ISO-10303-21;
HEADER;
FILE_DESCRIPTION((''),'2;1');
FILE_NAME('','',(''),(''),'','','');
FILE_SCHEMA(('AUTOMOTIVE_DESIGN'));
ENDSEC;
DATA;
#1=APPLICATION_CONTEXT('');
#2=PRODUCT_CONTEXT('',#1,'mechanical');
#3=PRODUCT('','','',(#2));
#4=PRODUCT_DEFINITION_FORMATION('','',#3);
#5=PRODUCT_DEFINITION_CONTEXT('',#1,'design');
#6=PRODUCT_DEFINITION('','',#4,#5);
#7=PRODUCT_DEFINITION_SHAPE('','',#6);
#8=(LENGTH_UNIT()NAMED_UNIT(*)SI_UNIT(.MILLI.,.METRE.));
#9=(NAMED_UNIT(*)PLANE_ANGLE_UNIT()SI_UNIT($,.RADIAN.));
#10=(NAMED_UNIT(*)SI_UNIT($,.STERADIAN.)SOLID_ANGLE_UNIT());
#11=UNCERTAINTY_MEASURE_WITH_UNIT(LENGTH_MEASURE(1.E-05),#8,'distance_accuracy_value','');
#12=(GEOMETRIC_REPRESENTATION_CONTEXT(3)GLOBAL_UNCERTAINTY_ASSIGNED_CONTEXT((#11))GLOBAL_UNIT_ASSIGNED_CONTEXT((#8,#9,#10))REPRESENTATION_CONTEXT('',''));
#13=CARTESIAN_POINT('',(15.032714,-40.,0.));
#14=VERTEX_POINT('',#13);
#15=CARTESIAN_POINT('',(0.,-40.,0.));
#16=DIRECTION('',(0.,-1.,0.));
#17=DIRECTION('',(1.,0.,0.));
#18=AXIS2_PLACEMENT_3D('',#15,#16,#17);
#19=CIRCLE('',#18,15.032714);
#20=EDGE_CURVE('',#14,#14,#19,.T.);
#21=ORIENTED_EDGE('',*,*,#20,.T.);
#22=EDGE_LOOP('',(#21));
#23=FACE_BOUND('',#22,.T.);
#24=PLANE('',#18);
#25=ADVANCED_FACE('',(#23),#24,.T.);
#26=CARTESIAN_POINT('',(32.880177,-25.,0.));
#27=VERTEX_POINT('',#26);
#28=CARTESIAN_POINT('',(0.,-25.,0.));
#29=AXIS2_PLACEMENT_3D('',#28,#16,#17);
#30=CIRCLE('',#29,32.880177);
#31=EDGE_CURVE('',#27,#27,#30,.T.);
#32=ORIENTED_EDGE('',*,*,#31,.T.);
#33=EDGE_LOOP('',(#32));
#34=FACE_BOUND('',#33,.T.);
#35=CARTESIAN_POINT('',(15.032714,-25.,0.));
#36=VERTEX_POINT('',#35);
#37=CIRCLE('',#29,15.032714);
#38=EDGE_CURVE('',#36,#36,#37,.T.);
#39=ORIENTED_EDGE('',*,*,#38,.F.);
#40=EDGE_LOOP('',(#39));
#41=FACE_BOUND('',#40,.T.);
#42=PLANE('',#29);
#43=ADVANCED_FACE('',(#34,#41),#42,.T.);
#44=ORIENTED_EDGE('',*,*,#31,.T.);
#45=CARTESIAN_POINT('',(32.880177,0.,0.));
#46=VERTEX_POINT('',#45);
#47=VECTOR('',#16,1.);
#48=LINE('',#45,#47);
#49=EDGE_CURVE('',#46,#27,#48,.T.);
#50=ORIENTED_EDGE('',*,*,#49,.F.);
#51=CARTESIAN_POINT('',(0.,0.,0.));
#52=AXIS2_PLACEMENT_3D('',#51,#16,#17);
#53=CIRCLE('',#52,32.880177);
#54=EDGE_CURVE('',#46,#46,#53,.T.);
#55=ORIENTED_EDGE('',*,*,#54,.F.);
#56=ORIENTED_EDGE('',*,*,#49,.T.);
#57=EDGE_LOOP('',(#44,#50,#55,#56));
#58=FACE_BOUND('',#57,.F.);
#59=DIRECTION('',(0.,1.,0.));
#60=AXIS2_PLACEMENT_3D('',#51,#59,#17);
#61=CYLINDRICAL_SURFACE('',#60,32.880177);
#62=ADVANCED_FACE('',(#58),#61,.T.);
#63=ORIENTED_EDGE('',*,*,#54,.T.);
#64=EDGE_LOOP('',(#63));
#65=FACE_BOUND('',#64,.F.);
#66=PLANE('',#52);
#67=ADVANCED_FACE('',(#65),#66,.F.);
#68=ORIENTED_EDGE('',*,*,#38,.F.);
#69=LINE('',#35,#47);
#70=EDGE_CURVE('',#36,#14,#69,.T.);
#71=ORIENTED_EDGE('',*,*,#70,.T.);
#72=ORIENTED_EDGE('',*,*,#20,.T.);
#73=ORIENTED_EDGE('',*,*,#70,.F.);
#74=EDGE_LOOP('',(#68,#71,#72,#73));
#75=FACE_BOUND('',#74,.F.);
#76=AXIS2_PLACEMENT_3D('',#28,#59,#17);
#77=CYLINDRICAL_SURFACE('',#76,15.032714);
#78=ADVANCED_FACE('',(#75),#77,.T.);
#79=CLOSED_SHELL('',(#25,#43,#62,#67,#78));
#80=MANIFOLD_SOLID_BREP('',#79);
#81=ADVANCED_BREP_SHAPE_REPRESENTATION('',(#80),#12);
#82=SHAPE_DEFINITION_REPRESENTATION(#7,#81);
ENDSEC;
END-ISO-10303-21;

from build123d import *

# Parameters (mm, degrees)
F0_R     = 32.880177
F2_DEPTH = 25
F1_R     = 23.131498
F3_DEPTH = 15
F4_R     = 15.032714
F5_DEPTH = 15


with BuildPart() as f2:
    # F0 (on Front) → F2 (new body)
    with BuildSketch(Plane.XZ):
        Circle(F0_R)
    extrude(amount=F2_DEPTH)

    # F1 (on Front) → F3 (join)
    with BuildSketch(Plane.XZ):
        Circle(F1_R)
    extrude(amount=F3_DEPTH)

    # F4 (on face) → F5 (join)
    with BuildSketch(Plane.XZ.offset(25)):
        Circle(F4_R)
    extrude(amount=F5_DEPTH)


solid = f2.part
